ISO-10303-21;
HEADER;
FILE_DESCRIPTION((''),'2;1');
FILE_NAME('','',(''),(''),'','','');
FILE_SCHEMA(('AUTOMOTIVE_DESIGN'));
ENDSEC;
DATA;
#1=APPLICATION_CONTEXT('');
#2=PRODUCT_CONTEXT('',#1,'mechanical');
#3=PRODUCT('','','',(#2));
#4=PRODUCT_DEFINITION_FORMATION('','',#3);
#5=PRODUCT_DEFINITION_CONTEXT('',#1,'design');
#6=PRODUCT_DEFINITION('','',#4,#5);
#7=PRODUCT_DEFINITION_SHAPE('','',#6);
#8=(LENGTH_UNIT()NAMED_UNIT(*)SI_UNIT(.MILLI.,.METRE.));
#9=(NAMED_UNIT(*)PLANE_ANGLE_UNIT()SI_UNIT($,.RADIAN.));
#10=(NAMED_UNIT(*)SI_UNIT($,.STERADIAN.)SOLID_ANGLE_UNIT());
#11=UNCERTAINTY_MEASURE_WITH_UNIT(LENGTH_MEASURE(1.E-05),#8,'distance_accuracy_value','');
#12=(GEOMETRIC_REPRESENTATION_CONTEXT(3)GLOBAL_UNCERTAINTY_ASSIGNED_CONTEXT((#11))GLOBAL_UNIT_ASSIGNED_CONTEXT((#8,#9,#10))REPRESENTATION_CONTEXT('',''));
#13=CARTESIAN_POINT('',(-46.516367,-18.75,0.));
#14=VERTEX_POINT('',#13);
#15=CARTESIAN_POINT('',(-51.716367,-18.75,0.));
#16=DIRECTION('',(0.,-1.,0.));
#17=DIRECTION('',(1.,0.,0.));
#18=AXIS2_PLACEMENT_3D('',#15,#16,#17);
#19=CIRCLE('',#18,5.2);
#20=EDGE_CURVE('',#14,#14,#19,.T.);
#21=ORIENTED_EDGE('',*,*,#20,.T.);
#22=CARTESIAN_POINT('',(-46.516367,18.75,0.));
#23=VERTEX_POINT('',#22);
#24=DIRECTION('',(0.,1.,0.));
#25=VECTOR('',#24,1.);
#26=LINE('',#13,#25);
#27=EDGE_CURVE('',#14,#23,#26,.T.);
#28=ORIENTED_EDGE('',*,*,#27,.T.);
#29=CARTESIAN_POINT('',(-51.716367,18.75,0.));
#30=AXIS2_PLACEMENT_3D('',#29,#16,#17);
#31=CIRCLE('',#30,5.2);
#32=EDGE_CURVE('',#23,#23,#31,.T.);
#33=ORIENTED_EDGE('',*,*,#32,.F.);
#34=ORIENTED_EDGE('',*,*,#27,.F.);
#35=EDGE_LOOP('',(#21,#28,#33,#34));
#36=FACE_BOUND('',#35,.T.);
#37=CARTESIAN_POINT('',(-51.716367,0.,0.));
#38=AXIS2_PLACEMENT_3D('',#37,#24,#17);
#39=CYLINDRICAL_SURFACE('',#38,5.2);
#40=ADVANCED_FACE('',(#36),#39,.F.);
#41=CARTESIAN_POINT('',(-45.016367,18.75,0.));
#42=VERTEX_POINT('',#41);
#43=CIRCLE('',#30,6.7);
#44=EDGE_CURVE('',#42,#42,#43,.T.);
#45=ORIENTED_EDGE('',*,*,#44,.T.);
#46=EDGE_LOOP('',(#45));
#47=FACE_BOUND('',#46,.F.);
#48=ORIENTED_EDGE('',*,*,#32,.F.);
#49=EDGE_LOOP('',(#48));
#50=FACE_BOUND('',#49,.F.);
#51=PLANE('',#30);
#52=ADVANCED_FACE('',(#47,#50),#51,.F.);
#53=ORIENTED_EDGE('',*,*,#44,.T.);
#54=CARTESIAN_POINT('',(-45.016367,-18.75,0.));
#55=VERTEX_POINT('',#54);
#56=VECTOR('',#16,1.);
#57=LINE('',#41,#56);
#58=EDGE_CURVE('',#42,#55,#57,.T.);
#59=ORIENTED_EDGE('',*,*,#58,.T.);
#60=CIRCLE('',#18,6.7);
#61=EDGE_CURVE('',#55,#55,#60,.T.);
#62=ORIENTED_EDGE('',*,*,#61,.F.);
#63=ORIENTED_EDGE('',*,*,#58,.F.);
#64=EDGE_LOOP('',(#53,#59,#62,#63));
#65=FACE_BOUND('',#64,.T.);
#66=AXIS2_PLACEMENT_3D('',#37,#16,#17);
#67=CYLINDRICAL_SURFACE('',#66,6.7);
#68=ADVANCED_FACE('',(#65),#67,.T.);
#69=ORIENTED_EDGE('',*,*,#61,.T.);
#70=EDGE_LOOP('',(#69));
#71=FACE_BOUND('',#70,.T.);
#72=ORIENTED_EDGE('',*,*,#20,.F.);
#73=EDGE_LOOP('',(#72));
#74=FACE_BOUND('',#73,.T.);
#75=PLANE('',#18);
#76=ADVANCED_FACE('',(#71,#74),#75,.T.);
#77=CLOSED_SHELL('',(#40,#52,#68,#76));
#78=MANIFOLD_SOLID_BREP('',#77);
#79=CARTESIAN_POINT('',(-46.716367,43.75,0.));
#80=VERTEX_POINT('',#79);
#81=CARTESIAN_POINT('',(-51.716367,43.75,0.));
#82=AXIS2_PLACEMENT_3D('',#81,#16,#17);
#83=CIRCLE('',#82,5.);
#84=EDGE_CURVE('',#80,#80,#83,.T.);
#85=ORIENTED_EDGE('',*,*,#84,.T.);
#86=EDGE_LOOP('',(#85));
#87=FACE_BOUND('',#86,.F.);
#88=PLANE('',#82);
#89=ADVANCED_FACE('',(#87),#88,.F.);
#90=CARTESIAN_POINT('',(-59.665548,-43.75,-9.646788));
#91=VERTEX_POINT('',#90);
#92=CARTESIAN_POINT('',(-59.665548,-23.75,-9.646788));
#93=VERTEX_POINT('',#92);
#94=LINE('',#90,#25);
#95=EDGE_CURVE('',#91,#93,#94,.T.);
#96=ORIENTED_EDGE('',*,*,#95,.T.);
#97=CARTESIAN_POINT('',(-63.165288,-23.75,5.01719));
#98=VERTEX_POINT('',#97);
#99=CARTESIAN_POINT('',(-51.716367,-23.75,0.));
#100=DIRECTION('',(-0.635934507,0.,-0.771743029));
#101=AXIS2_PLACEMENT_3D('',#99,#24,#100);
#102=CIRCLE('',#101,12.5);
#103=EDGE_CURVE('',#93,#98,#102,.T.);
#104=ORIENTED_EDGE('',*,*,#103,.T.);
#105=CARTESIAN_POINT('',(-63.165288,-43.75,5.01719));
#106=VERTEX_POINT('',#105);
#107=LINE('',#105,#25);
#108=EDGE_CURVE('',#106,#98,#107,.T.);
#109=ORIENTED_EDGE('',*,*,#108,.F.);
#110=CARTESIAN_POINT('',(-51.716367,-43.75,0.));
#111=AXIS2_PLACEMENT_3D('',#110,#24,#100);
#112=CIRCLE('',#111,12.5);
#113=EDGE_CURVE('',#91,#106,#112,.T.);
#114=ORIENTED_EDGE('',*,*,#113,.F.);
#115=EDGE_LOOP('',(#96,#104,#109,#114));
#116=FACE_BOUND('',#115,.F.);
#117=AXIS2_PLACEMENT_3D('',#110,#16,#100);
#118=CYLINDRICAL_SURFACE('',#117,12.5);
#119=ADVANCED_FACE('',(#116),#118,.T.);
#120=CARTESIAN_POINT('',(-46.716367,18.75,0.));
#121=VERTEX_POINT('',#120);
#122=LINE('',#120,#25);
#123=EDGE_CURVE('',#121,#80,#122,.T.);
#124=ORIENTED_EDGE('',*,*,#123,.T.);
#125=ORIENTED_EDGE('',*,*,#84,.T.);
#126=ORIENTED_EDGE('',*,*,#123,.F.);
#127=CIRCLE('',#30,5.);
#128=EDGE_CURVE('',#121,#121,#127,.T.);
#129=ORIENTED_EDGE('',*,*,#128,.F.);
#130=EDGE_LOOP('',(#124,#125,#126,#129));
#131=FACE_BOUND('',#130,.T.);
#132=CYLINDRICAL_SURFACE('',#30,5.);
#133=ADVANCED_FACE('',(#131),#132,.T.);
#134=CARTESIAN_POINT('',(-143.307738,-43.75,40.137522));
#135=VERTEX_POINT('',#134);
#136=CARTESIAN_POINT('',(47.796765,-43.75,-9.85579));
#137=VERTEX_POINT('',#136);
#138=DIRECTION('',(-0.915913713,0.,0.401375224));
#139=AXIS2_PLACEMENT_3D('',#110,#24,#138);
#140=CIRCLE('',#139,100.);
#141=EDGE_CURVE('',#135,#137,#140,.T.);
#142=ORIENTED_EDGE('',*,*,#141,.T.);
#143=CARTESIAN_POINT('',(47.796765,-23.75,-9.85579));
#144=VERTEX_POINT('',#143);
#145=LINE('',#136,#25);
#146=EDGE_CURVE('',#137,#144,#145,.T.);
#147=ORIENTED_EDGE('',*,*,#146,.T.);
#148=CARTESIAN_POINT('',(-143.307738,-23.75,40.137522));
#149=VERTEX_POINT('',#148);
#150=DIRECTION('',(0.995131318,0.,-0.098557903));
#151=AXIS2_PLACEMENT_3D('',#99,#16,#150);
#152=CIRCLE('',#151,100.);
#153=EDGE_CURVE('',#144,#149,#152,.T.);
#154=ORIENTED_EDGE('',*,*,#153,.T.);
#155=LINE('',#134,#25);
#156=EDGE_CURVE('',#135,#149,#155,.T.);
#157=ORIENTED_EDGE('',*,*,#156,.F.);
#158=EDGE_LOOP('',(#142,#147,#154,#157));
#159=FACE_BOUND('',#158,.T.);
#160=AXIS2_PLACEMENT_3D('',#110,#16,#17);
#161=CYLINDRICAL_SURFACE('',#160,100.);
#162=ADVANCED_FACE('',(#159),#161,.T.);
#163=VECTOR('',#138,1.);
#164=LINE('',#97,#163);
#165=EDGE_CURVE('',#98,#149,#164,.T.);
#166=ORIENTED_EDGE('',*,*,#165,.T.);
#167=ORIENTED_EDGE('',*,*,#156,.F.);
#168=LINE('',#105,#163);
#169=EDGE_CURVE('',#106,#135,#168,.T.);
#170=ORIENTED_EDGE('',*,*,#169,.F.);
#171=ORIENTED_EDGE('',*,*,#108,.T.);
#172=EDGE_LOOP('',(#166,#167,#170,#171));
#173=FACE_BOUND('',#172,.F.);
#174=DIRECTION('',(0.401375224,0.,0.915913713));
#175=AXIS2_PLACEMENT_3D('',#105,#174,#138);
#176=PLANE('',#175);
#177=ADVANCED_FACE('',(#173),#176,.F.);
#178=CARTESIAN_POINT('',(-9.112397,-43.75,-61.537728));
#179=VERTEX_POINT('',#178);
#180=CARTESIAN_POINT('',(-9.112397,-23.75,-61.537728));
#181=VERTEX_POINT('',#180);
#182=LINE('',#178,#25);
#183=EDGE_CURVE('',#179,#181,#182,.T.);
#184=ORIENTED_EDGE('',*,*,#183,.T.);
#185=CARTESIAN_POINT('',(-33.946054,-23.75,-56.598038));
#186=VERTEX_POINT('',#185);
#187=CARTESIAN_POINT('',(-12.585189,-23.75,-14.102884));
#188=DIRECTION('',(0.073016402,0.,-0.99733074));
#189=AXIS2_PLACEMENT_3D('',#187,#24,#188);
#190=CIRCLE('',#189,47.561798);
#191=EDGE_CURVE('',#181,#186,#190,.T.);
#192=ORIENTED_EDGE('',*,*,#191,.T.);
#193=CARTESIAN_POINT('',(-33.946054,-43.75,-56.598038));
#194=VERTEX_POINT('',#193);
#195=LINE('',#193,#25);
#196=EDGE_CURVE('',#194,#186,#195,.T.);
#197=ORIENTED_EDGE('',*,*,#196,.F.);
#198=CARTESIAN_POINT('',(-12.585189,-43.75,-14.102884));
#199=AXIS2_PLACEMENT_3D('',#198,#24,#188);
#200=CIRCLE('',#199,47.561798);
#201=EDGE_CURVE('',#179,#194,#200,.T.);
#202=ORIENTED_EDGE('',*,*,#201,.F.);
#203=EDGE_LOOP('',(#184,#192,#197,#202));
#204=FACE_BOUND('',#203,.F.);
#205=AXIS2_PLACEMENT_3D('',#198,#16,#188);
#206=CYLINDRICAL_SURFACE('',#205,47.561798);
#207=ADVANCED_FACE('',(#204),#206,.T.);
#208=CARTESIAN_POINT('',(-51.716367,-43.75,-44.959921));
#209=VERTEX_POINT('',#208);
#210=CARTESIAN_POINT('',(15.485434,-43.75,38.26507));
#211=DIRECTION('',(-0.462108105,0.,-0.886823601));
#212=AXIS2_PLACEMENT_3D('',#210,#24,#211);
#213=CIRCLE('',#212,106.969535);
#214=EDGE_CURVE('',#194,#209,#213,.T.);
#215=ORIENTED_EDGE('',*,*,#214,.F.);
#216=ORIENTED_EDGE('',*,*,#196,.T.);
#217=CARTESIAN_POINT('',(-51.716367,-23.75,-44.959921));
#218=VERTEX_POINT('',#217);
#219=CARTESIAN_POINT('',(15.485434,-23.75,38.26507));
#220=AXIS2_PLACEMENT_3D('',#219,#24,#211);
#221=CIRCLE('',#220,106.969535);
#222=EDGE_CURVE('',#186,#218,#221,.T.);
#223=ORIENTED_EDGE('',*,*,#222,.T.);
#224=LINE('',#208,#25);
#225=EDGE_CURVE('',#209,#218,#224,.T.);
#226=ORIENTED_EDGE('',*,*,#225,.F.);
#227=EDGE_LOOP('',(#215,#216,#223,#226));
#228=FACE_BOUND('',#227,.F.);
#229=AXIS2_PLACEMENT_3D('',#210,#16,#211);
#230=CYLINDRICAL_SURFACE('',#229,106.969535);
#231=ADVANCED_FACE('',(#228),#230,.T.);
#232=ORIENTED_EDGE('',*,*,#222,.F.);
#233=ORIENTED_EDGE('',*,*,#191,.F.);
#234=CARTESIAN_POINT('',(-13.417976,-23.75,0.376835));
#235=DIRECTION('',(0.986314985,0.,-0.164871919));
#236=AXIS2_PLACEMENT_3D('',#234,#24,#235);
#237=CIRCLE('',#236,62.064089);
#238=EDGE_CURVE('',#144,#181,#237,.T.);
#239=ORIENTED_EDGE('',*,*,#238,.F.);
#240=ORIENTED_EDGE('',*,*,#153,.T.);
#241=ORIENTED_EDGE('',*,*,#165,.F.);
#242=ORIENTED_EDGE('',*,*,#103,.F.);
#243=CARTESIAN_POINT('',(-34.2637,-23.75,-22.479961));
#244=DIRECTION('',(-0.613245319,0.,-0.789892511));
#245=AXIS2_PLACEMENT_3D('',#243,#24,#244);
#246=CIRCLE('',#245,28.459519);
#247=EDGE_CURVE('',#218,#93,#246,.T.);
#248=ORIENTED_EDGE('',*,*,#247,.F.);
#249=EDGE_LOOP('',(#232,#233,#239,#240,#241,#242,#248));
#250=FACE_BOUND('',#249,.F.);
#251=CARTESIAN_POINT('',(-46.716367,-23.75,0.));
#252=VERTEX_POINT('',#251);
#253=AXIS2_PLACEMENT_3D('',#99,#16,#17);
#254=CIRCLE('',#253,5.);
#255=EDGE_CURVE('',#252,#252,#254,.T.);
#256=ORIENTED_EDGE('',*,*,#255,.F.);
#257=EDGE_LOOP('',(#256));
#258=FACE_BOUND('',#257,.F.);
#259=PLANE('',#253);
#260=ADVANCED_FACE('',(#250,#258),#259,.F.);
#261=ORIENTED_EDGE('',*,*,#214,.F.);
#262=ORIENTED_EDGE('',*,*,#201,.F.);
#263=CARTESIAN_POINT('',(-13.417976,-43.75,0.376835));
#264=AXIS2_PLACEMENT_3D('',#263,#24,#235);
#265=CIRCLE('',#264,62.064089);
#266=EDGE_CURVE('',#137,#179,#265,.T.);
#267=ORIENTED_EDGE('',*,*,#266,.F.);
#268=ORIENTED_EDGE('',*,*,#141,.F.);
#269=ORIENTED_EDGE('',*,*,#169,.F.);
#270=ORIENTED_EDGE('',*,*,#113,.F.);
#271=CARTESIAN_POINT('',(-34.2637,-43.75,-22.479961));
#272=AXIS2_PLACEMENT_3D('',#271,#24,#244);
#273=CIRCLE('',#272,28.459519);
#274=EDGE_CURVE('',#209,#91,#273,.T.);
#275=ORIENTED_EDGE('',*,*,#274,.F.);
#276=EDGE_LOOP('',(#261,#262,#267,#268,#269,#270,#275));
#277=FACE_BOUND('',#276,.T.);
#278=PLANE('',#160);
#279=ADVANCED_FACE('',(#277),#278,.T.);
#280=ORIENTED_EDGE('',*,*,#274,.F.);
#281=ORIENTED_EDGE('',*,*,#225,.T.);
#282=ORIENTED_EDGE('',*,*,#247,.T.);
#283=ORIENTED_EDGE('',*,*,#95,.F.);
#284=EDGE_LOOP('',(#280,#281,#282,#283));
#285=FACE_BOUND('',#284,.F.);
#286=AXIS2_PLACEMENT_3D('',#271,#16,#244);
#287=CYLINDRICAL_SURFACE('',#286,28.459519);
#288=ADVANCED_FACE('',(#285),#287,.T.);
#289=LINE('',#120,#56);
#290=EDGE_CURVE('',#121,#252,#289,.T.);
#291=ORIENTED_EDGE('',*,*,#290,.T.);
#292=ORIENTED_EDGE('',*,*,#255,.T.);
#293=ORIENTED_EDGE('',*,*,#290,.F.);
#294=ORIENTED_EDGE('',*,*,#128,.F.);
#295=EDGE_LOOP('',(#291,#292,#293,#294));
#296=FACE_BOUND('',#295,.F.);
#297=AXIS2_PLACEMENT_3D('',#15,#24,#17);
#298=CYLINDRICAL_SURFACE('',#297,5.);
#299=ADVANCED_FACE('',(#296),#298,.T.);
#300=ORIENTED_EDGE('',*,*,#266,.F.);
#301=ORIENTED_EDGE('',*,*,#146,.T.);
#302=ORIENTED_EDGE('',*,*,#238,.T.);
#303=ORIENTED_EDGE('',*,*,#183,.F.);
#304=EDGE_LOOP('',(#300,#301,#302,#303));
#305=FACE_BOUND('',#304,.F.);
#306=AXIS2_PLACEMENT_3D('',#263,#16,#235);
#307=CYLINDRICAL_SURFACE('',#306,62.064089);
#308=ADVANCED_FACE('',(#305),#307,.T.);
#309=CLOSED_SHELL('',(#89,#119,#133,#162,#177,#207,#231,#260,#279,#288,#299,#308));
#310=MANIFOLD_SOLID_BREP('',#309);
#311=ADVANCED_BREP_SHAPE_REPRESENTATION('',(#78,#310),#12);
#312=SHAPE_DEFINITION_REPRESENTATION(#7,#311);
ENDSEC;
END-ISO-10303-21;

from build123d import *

# Parameters (mm, degrees)
F0_R     = 5
F1_DEPTH = 18.75
F0_R_2   = 6.7
F0_R_3   = 5.2
F2_DEPTH = 25
F3_DEPTH = 25
F4_R     = 100
F4_R_2   = 5
F5_DEPTH = 20
F7_DEPTH = 20


with BuildPart() as f1:
    # F0 (on Front) → F1 (new body, symmetric)
    with BuildSketch(Plane.XZ):
        with Locations((-51.7163668807, 0)):
            Circle(F0_R)
    extrude(amount=F1_DEPTH, both=True)

    # F2 (add): a face of the model
    f2_faces = [f1.faces().sort_by_distance(p)[0] for p in [
        (-51.7163668807, -18.75, 0),
    ]]
    extrude(f2_faces, amount=F2_DEPTH)

    # F3 (add): a face of the model
    f3_faces = [f1.faces().sort_by_distance(p)[0] for p in [
        (-51.7163668807, 18.75, 0),
    ]]
    extrude(f3_faces, amount=F3_DEPTH)

    # F4 (on face) → F5 (join)
    with BuildSketch(Plane.XZ.offset(43.75)):
        with Locations((-51.7163668807, 0)):
            Circle(F4_R)
        with Locations((-51.7163668807, 0)):
            Circle(F4_R_2, mode=Mode.SUBTRACT)
    extrude(amount=-F5_DEPTH)

    # F6 (on face) → F7 (cut)
    with BuildSketch(Plane.XZ.offset(43.75)):
        with BuildLine():
            ThreePointArc((-59.6655482209, -9.6467878602), (-63.8748890556, -2.9017819565), (-63.1652882908, 5.0171903038))
            Line((-63.1652882908, 5.0171903038), (-143.3077381617, 40.1375224305))
            ThreePointArc((-143.3077381617, 40.1375224305), (-106.8702714682, -83.414907593), (21.0834731349, -68.5578827977))
            ThreePointArc((21.0834731349, -68.5578827977), (-7.232450883, -66.264251094), (-33.946054473, -56.598037636))
            ThreePointArc((-33.946054473, -56.598037636), (-43.1208155263, -51.2211789669), (-51.7163668807, -44.9599213898))
            ThreePointArc((-51.7163668807, -44.9599213898), (-62.0284567829, -28.7299606949), (-59.6655482209, -9.6467878602))
        make_face()
        with BuildLine():
            ThreePointArc((-33.946054473, -56.598037636), (-7.232450883, -66.264251094), (21.0834731349, -68.5578827977))
            ThreePointArc((21.0834731349, -68.5578827977), (39.3024442467, -41.4195125631), (47.7967649051, -9.8557902871))
            ThreePointArc((47.7967649051, -9.8557902871), (28.3071212669, -45.568429884), (-9.1123972088, -61.5377277136))
            ThreePointArc((-9.1123972088, -61.5377277136), (-21.8639782121, -60.7508072156), (-33.946054473, -56.598037636))
        make_face()
    extrude(amount=-F7_DEPTH, mode=Mode.SUBTRACT)


with BuildPart() as f1b:
    # F0 (on Front) → F1, piece 2 (new body, symmetric)
    with BuildSketch(Plane.XZ):
        with Locations((-51.7163668807, 0)):
            Circle(F0_R_2)
        with Locations((-51.7163668807, 0)):
            Circle(F0_R_3, mode=Mode.SUBTRACT)
    extrude(amount=F1_DEPTH, both=True)


solid = Compound([f1.part, f1b.part])
